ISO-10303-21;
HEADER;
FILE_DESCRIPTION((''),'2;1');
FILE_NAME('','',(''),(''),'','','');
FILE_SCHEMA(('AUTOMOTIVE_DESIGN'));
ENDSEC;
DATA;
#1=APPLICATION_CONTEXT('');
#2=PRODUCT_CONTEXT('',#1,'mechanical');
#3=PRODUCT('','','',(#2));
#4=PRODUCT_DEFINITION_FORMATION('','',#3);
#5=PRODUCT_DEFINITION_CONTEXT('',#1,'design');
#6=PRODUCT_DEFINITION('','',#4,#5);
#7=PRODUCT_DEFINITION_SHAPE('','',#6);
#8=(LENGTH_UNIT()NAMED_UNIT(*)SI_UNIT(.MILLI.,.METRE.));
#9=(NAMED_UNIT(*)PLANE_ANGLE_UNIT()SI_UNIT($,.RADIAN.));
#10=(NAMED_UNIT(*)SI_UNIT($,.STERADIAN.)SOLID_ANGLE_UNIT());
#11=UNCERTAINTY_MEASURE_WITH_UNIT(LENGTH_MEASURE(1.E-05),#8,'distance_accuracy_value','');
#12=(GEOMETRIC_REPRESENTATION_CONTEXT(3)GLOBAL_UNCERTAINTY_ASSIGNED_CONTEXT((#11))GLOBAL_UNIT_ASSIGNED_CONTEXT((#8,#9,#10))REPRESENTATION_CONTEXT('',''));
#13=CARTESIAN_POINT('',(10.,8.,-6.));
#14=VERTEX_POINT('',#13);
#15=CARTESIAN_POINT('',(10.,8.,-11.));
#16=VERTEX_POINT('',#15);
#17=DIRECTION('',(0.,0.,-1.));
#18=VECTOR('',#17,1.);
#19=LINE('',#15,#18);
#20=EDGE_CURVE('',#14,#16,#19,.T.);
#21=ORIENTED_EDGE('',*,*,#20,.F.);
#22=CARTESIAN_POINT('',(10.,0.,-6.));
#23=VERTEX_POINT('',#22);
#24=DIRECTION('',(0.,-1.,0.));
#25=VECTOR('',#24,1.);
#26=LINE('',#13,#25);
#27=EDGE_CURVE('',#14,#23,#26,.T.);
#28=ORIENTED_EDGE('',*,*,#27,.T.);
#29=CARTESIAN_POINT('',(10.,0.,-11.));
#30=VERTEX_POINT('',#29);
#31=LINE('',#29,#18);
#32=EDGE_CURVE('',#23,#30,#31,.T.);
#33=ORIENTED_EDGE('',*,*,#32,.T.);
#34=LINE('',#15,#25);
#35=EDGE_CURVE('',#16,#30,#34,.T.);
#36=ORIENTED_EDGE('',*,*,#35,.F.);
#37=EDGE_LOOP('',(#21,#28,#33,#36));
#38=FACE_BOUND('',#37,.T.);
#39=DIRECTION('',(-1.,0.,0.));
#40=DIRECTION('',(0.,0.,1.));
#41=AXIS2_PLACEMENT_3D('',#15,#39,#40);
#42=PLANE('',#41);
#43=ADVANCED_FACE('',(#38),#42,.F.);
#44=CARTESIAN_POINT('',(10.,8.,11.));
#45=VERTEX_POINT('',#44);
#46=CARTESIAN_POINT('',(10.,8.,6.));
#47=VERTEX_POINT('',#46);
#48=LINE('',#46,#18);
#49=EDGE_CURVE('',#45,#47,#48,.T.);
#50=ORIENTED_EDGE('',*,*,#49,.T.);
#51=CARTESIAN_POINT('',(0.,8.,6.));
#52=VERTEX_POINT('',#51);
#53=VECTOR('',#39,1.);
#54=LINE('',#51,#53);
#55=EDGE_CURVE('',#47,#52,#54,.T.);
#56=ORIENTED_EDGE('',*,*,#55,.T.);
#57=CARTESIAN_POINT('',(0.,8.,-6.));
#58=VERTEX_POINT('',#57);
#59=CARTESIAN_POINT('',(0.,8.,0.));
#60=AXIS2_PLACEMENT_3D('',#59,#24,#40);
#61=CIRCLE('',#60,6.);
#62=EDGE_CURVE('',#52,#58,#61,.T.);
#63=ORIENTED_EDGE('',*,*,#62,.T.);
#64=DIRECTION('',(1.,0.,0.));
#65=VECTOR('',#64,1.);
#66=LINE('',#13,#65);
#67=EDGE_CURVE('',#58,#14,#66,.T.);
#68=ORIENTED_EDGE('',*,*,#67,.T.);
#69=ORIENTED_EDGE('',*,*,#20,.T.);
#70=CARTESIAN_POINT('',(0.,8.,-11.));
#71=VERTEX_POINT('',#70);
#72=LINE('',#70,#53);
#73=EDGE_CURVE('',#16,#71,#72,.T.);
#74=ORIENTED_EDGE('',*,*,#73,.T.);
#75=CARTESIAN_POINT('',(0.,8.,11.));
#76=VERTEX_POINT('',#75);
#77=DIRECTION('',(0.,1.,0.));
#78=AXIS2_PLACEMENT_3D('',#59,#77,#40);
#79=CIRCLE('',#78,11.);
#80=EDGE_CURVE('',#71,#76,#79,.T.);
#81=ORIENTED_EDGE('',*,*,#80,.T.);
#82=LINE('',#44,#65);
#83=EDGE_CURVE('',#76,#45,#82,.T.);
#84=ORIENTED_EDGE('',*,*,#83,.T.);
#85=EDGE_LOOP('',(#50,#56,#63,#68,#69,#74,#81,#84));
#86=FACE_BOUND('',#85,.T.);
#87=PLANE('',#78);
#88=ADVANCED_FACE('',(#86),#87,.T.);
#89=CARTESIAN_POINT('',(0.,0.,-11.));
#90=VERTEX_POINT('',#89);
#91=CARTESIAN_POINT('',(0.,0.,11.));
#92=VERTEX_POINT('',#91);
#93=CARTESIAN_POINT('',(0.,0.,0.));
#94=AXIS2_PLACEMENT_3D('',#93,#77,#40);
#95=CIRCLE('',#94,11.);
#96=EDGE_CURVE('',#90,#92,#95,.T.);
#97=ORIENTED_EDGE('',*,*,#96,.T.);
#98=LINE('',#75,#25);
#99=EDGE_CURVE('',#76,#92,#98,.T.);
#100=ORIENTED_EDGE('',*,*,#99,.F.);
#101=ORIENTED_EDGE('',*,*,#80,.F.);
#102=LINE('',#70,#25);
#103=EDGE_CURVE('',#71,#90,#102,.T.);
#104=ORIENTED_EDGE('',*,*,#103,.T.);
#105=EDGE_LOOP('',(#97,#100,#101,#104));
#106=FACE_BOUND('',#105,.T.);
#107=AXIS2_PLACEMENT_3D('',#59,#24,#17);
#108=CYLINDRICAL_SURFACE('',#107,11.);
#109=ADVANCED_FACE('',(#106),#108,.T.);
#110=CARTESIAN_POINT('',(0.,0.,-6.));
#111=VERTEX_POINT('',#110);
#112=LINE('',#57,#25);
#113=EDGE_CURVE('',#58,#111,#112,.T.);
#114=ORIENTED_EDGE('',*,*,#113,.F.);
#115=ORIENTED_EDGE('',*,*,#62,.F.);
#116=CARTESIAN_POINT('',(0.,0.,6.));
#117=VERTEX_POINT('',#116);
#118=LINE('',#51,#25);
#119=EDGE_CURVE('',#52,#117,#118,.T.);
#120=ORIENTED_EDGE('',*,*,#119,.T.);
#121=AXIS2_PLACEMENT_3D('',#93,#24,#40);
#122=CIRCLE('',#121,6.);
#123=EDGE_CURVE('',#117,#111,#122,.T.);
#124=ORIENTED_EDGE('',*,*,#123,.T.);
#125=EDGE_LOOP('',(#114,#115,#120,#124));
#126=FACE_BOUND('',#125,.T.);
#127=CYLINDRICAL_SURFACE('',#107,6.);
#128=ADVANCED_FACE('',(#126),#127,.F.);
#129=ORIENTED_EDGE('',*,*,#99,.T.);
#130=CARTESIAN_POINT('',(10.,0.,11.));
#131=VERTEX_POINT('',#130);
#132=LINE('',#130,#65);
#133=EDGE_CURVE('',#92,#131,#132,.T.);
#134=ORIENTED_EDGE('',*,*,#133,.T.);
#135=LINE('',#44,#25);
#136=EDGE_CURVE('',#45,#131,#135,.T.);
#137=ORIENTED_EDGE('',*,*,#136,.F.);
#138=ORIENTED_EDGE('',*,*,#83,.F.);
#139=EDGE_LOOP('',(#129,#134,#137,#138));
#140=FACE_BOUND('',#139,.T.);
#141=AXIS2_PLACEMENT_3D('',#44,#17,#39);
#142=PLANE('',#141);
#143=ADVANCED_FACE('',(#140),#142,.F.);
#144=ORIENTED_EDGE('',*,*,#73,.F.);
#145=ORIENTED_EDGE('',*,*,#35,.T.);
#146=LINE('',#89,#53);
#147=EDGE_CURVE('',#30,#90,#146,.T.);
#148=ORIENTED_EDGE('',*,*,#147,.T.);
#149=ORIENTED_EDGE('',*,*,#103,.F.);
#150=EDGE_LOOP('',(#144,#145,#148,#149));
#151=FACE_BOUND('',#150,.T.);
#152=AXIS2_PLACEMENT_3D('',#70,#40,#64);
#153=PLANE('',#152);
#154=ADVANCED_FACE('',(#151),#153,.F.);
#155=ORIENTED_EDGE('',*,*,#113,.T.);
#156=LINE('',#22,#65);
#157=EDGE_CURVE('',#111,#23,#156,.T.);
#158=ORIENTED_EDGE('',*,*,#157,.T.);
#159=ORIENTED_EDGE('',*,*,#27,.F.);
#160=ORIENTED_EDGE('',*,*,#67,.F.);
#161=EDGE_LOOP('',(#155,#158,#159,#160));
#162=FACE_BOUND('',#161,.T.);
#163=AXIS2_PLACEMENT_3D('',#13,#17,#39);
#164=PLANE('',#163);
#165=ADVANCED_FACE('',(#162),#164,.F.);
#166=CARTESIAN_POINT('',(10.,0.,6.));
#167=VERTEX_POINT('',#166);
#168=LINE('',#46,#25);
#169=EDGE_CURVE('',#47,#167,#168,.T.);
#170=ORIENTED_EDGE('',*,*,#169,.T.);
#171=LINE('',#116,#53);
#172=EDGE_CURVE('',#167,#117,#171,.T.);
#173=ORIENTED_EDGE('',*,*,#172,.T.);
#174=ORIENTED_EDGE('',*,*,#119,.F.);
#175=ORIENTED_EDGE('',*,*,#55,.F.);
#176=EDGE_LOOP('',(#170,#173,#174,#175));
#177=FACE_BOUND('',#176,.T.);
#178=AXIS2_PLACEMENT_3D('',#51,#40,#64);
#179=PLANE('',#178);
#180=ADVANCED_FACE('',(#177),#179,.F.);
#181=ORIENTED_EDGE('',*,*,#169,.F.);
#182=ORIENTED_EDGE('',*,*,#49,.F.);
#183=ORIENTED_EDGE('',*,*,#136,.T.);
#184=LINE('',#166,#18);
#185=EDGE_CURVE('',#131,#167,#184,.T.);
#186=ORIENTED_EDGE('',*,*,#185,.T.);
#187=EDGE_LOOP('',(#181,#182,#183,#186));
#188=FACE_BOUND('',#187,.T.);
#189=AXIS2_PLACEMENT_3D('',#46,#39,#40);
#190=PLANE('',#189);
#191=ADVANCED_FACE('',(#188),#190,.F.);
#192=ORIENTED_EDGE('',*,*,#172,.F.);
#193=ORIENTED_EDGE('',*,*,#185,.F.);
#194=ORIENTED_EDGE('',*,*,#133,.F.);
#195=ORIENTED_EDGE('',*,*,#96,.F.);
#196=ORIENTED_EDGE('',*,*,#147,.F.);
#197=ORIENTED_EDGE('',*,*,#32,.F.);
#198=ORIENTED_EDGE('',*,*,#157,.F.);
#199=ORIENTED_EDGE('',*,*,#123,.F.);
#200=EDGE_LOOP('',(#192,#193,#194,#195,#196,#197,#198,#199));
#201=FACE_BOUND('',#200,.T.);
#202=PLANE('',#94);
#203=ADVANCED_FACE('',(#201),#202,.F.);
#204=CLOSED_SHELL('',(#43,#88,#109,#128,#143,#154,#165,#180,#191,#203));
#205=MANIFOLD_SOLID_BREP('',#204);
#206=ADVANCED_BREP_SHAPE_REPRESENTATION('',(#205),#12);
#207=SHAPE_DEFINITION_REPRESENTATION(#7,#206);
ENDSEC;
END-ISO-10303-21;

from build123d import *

# Parameters (mm, degrees)
BOSS_EXTRUDE1_DEPTH = 8


with BuildPart() as part:
    # Sketch1 → Boss-Extrude1 (new body)
    with BuildSketch(Plane(origin=(0, 0, 0), x_dir=(1, 0, 0), z_dir=(0, 1, 0))):
        with BuildLine():
            Line((0, 11), (10, 11))
            Line((10, 11), (10, 6))
            Line((10, 6), (0, 6))
            ThreePointArc((0, 6), (-6, 0), (0, -6))
            Line((0, -6), (10, -6))
            Line((10, -6), (10, -11))
            Line((10, -11), (0, -11))
            ThreePointArc((0, -11), (-11, 0), (0, 11))
        make_face()
    extrude(amount=BOSS_EXTRUDE1_DEPTH)


solid = part.part
